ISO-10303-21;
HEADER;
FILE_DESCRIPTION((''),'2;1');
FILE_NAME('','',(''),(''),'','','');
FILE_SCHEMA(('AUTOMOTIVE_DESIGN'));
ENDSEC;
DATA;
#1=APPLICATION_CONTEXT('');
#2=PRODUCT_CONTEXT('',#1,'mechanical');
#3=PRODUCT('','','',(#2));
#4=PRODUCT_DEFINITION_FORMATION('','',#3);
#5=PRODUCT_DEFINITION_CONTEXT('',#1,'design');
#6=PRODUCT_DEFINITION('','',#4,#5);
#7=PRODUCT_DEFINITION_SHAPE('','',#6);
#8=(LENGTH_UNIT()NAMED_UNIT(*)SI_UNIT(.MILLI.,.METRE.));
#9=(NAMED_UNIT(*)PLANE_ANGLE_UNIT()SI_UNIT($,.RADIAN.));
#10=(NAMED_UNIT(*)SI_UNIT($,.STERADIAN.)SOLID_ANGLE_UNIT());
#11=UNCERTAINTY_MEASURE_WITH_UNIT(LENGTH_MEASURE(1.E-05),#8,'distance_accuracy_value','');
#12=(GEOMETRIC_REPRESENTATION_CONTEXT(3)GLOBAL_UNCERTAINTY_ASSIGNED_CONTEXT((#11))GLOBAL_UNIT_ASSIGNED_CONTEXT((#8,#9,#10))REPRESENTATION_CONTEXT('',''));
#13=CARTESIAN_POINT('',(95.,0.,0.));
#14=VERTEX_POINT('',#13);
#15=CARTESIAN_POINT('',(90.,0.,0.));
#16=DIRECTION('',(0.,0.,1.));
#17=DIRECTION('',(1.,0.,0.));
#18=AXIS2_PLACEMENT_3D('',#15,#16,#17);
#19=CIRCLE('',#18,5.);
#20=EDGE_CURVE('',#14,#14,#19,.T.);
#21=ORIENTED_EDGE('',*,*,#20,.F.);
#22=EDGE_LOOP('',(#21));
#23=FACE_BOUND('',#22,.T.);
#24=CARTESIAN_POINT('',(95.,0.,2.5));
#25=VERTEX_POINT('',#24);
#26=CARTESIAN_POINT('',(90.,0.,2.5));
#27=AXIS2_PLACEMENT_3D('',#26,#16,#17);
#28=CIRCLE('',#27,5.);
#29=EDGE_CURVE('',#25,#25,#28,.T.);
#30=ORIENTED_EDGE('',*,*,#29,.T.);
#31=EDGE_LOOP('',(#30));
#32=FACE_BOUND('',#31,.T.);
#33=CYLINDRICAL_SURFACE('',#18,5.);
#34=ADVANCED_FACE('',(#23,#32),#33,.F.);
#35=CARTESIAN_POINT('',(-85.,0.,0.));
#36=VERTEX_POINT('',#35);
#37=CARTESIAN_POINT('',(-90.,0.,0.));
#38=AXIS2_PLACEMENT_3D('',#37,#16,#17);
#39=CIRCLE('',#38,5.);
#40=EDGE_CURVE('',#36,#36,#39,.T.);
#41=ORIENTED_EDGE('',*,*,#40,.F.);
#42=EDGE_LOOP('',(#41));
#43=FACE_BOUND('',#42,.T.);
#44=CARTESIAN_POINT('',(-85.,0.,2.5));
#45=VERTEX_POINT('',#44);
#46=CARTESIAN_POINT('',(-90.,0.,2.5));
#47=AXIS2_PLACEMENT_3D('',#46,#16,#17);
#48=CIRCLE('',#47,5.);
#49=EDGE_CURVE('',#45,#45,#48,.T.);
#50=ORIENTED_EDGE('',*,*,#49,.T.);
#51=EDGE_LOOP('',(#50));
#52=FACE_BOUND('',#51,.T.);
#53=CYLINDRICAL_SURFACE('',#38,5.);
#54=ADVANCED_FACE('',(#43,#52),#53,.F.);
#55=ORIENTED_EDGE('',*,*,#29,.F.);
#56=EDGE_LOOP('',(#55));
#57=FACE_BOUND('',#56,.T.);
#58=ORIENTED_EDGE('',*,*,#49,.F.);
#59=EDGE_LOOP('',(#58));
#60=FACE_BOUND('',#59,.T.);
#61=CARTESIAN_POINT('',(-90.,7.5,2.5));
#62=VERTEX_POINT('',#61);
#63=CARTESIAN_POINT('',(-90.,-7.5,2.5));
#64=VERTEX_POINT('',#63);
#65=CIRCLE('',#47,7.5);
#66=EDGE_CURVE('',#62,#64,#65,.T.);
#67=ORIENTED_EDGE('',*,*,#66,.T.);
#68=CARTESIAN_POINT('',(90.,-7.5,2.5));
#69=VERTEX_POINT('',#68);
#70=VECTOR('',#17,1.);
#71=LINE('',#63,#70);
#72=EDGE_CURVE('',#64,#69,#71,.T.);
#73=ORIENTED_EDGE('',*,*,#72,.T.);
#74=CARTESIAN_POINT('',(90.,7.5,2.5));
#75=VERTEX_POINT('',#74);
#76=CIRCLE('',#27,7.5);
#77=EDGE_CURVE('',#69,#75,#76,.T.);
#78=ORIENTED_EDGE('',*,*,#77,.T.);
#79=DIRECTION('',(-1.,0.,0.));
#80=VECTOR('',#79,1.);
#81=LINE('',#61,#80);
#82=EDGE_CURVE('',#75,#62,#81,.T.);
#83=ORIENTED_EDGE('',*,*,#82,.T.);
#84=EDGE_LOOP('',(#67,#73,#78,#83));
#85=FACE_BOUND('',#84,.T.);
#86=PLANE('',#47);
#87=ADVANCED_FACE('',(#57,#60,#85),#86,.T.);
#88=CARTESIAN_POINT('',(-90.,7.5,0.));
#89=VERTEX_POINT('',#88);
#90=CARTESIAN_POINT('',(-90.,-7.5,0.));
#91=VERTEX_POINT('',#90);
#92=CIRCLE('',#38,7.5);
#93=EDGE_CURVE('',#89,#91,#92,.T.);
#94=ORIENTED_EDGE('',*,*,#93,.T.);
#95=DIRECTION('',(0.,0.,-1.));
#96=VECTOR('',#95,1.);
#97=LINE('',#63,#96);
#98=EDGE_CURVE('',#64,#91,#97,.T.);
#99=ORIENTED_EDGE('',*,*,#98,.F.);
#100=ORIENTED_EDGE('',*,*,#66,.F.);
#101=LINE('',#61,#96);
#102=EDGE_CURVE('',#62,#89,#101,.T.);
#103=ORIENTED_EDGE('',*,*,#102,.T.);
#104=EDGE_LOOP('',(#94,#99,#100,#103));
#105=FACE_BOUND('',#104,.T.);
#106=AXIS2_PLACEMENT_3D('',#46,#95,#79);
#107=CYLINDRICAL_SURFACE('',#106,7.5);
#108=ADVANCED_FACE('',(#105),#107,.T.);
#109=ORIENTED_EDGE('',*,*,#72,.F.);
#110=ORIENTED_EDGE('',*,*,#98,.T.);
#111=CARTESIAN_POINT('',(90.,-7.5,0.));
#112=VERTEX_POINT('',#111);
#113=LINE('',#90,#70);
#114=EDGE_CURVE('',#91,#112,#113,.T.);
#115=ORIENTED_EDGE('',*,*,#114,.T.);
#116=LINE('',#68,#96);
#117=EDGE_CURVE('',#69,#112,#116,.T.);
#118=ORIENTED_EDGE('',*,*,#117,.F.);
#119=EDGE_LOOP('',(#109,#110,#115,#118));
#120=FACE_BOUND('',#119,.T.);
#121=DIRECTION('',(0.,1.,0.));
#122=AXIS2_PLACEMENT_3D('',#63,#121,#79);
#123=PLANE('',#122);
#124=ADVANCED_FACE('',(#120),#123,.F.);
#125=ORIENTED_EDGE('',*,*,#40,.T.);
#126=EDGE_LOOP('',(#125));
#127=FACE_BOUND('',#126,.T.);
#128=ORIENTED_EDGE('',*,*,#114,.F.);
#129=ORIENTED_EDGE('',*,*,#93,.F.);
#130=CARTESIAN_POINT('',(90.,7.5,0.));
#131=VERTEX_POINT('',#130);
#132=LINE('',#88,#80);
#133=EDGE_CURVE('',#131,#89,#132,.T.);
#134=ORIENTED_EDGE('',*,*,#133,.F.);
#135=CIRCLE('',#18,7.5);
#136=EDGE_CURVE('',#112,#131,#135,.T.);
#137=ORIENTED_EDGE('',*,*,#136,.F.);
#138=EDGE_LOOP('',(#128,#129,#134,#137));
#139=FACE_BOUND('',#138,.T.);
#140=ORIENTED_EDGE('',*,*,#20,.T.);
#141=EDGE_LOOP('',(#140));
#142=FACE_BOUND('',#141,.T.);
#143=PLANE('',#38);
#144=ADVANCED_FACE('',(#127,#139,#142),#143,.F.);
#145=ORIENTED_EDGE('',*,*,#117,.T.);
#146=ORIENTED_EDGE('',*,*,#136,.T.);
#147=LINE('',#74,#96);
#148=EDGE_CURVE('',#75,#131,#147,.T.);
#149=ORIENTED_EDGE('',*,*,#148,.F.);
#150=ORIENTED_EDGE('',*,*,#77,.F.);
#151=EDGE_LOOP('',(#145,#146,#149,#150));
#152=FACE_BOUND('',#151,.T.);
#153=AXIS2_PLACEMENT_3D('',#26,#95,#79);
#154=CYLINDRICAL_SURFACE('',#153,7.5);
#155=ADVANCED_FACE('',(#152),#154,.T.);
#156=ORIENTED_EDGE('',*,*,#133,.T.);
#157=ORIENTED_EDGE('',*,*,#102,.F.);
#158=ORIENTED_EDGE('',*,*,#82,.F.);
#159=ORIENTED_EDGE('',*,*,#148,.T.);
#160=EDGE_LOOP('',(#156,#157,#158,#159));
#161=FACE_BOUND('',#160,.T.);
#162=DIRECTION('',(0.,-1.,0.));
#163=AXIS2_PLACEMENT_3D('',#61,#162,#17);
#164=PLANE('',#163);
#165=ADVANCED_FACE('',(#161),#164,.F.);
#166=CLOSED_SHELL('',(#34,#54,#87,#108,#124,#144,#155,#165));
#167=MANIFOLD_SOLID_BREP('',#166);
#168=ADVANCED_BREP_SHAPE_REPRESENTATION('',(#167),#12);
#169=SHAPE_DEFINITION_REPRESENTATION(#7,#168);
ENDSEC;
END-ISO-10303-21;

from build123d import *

# Parameters (mm, degrees)
SALIENTE_EXTRUIR1_DEPTH = 2.5
CROQUIS3_R              = 5
CORTAR_EXTRUIR1_DEPTH   = 98.819987733


with BuildPart() as part:
    # Croquis2 → Saliente-Extruir1 (new body)
    with BuildSketch(Plane.XY):
        with BuildLine():
            Line((-90, 7.5), (90, 7.5))
            ThreePointArc((90, 7.5), (97.5, 0), (90, -7.5))
            Line((90, -7.5), (-90, -7.5))
            ThreePointArc((-90, -7.5), (-97.5, 0), (-90, 7.5))
        make_face()
    extrude(amount=SALIENTE_EXTRUIR1_DEPTH)

    # Croquis3 → Cortar-Extruir1 (cut, through all)
    with BuildSketch(Plane.XY.offset(2.5)):
        with Locations((-90, 0)):
            Circle(CROQUIS3_R)
        with Locations((90, 0)):
            Circle(CROQUIS3_R)
    extrude(amount=-CORTAR_EXTRUIR1_DEPTH, mode=Mode.SUBTRACT)


solid = part.part
